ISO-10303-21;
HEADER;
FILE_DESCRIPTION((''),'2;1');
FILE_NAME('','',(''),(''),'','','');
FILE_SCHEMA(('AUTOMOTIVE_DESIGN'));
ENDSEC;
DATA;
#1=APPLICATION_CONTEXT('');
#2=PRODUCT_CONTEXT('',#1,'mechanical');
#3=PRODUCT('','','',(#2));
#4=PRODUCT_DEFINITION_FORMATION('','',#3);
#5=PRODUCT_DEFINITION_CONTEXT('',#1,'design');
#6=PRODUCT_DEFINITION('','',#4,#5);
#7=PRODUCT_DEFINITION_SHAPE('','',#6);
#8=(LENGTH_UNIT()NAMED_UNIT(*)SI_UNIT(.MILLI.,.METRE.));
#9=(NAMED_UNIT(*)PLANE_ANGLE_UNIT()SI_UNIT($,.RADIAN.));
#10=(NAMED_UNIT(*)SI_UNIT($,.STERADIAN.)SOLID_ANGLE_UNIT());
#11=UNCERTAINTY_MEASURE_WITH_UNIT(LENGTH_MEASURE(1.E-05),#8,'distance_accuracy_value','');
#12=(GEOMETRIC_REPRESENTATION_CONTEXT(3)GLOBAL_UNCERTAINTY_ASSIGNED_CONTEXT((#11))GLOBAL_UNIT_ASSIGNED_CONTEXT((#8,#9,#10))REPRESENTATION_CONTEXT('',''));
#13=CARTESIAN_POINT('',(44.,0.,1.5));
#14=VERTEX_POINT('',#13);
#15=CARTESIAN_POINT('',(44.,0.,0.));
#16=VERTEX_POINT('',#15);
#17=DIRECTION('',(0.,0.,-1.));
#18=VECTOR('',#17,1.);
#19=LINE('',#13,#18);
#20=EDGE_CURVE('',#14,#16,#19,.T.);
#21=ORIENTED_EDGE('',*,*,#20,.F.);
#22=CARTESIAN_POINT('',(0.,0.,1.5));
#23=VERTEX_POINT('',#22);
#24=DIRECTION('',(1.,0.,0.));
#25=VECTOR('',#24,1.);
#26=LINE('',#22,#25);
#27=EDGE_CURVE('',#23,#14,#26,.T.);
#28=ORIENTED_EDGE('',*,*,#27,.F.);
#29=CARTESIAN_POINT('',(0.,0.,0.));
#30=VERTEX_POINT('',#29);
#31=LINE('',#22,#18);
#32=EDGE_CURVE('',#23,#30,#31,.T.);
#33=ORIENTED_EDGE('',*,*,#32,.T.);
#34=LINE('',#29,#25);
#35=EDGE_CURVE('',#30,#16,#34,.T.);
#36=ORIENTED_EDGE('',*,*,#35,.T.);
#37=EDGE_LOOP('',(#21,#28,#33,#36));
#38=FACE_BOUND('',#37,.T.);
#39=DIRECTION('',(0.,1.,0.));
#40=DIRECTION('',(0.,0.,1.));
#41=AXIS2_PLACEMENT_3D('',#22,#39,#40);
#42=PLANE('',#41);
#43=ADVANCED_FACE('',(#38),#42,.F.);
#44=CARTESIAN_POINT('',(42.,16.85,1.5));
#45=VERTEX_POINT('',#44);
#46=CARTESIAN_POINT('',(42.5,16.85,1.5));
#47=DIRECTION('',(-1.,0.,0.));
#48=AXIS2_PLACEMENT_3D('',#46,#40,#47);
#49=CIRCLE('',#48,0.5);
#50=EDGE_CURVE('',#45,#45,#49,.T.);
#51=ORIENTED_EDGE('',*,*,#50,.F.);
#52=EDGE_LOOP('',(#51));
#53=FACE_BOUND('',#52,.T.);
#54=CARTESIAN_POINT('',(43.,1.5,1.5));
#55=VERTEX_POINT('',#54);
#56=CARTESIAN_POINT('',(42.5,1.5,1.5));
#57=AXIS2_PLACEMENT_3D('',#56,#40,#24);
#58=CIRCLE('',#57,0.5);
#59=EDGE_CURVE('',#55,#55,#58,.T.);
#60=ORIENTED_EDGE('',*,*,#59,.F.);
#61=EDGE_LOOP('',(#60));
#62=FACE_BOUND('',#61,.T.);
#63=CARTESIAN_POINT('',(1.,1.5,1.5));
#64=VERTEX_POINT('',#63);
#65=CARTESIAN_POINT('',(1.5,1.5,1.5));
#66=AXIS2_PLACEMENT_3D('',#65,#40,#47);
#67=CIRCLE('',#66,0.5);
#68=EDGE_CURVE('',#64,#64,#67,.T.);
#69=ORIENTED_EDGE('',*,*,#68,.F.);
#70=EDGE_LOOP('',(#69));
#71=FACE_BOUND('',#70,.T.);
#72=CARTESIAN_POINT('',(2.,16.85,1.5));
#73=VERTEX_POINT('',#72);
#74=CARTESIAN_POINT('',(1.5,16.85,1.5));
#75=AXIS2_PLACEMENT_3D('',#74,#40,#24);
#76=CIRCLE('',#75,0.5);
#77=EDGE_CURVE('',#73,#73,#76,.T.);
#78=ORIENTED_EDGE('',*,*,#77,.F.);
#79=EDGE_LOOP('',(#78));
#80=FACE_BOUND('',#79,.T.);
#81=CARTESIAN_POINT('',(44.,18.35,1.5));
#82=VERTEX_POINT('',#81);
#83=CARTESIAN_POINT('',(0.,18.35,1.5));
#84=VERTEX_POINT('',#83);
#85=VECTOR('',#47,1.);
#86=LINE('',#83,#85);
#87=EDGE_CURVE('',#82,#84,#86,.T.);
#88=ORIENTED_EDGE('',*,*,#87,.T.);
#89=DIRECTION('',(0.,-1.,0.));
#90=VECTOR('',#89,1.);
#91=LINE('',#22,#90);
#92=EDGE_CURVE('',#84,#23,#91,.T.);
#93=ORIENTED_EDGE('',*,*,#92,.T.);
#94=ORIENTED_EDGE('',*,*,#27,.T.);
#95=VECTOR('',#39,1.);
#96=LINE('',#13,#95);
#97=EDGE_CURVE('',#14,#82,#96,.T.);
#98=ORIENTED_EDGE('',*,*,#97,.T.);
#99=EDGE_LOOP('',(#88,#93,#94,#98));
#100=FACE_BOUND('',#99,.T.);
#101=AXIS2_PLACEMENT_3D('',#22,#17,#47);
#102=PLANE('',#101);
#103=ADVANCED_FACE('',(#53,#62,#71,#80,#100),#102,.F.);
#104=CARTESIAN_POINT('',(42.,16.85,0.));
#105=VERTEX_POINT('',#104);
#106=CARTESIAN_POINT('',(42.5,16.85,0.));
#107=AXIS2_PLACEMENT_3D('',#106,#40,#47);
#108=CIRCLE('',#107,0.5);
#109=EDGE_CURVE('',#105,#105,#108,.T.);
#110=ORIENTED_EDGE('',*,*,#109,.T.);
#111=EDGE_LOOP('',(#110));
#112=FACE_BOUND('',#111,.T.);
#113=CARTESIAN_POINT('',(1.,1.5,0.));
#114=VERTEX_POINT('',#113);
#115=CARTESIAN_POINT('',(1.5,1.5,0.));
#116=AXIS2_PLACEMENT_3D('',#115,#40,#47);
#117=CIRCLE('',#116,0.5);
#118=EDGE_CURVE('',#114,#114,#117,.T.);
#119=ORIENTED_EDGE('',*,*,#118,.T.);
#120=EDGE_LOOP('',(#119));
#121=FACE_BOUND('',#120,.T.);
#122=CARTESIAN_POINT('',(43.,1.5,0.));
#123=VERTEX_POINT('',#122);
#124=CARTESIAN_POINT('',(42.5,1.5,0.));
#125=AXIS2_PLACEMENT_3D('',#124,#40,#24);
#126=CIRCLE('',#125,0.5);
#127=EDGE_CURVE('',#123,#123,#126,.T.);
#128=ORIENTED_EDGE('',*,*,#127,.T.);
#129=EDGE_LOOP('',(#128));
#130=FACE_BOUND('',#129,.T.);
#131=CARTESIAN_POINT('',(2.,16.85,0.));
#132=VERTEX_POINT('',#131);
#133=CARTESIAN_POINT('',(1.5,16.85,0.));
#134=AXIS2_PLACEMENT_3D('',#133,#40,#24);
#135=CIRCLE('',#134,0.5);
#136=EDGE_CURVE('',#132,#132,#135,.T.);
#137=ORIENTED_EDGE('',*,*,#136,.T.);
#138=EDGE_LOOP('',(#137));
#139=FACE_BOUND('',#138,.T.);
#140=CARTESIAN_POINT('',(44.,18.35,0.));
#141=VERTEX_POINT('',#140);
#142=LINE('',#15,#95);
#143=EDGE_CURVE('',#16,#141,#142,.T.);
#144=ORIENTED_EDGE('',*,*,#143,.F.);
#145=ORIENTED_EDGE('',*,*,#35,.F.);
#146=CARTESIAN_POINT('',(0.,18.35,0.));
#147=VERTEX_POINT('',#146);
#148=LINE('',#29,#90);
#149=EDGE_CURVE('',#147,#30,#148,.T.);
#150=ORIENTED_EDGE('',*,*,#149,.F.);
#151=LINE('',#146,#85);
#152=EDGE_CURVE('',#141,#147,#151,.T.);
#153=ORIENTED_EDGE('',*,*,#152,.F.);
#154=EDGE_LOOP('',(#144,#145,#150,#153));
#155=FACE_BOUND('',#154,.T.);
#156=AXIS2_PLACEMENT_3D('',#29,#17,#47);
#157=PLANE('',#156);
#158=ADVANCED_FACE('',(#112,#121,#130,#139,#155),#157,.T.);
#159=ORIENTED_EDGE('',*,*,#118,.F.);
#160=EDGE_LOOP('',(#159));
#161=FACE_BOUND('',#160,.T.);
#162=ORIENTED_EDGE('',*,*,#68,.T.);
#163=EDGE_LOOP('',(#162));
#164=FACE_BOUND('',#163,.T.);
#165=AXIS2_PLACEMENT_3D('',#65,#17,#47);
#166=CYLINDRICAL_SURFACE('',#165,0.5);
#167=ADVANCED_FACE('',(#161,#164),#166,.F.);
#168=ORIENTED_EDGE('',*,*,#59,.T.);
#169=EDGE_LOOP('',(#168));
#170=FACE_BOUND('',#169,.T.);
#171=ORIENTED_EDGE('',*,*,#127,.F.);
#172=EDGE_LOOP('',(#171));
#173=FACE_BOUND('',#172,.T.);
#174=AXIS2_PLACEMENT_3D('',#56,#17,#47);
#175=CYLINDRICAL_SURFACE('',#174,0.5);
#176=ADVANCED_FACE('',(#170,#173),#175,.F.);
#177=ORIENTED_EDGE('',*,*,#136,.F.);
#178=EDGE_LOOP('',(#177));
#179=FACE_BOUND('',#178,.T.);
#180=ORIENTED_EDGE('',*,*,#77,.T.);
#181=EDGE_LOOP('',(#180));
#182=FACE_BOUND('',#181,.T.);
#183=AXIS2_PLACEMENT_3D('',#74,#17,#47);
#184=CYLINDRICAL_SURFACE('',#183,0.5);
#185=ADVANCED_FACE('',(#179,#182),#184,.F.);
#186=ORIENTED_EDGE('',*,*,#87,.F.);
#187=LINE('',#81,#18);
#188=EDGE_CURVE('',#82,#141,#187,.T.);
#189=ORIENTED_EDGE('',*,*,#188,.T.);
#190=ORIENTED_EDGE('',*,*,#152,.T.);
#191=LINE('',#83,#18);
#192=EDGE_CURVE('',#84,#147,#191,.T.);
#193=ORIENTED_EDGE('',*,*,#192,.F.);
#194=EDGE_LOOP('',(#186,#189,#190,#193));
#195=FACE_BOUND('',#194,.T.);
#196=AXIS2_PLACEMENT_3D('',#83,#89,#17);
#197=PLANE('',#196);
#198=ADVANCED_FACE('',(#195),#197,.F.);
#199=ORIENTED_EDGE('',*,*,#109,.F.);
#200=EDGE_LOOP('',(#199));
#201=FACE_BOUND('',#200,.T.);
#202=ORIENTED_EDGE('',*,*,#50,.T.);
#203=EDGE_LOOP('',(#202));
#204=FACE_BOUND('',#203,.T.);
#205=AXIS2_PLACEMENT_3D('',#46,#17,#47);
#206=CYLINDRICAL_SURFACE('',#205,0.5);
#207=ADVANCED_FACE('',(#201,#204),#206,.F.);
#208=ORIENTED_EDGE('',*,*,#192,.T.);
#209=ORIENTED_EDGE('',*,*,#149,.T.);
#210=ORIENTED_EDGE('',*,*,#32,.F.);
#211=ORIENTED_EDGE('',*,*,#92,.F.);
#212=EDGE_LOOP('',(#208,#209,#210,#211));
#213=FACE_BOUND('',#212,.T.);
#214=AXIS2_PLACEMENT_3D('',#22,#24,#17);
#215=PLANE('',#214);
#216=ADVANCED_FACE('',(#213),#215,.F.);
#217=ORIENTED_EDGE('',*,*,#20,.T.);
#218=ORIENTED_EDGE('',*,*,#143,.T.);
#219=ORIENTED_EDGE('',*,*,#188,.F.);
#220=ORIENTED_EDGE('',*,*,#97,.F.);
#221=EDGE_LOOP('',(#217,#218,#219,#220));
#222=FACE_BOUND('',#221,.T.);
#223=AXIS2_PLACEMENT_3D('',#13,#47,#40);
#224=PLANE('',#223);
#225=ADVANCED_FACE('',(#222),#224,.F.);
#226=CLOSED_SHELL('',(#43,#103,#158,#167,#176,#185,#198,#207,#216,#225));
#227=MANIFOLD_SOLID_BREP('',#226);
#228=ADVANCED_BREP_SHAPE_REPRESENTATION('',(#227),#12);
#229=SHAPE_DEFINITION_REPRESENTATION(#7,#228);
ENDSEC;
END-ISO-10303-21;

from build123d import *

# Parameters (mm, degrees)
SKETCH_1_W      = 44
SKETCH_1_H      = 18.35
SKETCH_1_R      = 0.5
EXTRUDE_1_DEPTH = 1.5


with BuildPart() as part:
    # Эскиз1 → Бобышка-Вытянуть1 (new body)
    with BuildSketch(Plane.XY):
        with Locations((22, 9.175)):
            Rectangle(SKETCH_1_W, SKETCH_1_H)
        with Locations((1.5, 16.85)):
            Circle(SKETCH_1_R, mode=Mode.SUBTRACT)
        with Locations((42.5, 16.85)):
            Circle(SKETCH_1_R, mode=Mode.SUBTRACT)
        with Locations((42.5, 1.5)):
            Circle(SKETCH_1_R, mode=Mode.SUBTRACT)
        with Locations((1.5, 1.5)):
            Circle(SKETCH_1_R, mode=Mode.SUBTRACT)
    extrude(amount=EXTRUDE_1_DEPTH)


solid = part.part
